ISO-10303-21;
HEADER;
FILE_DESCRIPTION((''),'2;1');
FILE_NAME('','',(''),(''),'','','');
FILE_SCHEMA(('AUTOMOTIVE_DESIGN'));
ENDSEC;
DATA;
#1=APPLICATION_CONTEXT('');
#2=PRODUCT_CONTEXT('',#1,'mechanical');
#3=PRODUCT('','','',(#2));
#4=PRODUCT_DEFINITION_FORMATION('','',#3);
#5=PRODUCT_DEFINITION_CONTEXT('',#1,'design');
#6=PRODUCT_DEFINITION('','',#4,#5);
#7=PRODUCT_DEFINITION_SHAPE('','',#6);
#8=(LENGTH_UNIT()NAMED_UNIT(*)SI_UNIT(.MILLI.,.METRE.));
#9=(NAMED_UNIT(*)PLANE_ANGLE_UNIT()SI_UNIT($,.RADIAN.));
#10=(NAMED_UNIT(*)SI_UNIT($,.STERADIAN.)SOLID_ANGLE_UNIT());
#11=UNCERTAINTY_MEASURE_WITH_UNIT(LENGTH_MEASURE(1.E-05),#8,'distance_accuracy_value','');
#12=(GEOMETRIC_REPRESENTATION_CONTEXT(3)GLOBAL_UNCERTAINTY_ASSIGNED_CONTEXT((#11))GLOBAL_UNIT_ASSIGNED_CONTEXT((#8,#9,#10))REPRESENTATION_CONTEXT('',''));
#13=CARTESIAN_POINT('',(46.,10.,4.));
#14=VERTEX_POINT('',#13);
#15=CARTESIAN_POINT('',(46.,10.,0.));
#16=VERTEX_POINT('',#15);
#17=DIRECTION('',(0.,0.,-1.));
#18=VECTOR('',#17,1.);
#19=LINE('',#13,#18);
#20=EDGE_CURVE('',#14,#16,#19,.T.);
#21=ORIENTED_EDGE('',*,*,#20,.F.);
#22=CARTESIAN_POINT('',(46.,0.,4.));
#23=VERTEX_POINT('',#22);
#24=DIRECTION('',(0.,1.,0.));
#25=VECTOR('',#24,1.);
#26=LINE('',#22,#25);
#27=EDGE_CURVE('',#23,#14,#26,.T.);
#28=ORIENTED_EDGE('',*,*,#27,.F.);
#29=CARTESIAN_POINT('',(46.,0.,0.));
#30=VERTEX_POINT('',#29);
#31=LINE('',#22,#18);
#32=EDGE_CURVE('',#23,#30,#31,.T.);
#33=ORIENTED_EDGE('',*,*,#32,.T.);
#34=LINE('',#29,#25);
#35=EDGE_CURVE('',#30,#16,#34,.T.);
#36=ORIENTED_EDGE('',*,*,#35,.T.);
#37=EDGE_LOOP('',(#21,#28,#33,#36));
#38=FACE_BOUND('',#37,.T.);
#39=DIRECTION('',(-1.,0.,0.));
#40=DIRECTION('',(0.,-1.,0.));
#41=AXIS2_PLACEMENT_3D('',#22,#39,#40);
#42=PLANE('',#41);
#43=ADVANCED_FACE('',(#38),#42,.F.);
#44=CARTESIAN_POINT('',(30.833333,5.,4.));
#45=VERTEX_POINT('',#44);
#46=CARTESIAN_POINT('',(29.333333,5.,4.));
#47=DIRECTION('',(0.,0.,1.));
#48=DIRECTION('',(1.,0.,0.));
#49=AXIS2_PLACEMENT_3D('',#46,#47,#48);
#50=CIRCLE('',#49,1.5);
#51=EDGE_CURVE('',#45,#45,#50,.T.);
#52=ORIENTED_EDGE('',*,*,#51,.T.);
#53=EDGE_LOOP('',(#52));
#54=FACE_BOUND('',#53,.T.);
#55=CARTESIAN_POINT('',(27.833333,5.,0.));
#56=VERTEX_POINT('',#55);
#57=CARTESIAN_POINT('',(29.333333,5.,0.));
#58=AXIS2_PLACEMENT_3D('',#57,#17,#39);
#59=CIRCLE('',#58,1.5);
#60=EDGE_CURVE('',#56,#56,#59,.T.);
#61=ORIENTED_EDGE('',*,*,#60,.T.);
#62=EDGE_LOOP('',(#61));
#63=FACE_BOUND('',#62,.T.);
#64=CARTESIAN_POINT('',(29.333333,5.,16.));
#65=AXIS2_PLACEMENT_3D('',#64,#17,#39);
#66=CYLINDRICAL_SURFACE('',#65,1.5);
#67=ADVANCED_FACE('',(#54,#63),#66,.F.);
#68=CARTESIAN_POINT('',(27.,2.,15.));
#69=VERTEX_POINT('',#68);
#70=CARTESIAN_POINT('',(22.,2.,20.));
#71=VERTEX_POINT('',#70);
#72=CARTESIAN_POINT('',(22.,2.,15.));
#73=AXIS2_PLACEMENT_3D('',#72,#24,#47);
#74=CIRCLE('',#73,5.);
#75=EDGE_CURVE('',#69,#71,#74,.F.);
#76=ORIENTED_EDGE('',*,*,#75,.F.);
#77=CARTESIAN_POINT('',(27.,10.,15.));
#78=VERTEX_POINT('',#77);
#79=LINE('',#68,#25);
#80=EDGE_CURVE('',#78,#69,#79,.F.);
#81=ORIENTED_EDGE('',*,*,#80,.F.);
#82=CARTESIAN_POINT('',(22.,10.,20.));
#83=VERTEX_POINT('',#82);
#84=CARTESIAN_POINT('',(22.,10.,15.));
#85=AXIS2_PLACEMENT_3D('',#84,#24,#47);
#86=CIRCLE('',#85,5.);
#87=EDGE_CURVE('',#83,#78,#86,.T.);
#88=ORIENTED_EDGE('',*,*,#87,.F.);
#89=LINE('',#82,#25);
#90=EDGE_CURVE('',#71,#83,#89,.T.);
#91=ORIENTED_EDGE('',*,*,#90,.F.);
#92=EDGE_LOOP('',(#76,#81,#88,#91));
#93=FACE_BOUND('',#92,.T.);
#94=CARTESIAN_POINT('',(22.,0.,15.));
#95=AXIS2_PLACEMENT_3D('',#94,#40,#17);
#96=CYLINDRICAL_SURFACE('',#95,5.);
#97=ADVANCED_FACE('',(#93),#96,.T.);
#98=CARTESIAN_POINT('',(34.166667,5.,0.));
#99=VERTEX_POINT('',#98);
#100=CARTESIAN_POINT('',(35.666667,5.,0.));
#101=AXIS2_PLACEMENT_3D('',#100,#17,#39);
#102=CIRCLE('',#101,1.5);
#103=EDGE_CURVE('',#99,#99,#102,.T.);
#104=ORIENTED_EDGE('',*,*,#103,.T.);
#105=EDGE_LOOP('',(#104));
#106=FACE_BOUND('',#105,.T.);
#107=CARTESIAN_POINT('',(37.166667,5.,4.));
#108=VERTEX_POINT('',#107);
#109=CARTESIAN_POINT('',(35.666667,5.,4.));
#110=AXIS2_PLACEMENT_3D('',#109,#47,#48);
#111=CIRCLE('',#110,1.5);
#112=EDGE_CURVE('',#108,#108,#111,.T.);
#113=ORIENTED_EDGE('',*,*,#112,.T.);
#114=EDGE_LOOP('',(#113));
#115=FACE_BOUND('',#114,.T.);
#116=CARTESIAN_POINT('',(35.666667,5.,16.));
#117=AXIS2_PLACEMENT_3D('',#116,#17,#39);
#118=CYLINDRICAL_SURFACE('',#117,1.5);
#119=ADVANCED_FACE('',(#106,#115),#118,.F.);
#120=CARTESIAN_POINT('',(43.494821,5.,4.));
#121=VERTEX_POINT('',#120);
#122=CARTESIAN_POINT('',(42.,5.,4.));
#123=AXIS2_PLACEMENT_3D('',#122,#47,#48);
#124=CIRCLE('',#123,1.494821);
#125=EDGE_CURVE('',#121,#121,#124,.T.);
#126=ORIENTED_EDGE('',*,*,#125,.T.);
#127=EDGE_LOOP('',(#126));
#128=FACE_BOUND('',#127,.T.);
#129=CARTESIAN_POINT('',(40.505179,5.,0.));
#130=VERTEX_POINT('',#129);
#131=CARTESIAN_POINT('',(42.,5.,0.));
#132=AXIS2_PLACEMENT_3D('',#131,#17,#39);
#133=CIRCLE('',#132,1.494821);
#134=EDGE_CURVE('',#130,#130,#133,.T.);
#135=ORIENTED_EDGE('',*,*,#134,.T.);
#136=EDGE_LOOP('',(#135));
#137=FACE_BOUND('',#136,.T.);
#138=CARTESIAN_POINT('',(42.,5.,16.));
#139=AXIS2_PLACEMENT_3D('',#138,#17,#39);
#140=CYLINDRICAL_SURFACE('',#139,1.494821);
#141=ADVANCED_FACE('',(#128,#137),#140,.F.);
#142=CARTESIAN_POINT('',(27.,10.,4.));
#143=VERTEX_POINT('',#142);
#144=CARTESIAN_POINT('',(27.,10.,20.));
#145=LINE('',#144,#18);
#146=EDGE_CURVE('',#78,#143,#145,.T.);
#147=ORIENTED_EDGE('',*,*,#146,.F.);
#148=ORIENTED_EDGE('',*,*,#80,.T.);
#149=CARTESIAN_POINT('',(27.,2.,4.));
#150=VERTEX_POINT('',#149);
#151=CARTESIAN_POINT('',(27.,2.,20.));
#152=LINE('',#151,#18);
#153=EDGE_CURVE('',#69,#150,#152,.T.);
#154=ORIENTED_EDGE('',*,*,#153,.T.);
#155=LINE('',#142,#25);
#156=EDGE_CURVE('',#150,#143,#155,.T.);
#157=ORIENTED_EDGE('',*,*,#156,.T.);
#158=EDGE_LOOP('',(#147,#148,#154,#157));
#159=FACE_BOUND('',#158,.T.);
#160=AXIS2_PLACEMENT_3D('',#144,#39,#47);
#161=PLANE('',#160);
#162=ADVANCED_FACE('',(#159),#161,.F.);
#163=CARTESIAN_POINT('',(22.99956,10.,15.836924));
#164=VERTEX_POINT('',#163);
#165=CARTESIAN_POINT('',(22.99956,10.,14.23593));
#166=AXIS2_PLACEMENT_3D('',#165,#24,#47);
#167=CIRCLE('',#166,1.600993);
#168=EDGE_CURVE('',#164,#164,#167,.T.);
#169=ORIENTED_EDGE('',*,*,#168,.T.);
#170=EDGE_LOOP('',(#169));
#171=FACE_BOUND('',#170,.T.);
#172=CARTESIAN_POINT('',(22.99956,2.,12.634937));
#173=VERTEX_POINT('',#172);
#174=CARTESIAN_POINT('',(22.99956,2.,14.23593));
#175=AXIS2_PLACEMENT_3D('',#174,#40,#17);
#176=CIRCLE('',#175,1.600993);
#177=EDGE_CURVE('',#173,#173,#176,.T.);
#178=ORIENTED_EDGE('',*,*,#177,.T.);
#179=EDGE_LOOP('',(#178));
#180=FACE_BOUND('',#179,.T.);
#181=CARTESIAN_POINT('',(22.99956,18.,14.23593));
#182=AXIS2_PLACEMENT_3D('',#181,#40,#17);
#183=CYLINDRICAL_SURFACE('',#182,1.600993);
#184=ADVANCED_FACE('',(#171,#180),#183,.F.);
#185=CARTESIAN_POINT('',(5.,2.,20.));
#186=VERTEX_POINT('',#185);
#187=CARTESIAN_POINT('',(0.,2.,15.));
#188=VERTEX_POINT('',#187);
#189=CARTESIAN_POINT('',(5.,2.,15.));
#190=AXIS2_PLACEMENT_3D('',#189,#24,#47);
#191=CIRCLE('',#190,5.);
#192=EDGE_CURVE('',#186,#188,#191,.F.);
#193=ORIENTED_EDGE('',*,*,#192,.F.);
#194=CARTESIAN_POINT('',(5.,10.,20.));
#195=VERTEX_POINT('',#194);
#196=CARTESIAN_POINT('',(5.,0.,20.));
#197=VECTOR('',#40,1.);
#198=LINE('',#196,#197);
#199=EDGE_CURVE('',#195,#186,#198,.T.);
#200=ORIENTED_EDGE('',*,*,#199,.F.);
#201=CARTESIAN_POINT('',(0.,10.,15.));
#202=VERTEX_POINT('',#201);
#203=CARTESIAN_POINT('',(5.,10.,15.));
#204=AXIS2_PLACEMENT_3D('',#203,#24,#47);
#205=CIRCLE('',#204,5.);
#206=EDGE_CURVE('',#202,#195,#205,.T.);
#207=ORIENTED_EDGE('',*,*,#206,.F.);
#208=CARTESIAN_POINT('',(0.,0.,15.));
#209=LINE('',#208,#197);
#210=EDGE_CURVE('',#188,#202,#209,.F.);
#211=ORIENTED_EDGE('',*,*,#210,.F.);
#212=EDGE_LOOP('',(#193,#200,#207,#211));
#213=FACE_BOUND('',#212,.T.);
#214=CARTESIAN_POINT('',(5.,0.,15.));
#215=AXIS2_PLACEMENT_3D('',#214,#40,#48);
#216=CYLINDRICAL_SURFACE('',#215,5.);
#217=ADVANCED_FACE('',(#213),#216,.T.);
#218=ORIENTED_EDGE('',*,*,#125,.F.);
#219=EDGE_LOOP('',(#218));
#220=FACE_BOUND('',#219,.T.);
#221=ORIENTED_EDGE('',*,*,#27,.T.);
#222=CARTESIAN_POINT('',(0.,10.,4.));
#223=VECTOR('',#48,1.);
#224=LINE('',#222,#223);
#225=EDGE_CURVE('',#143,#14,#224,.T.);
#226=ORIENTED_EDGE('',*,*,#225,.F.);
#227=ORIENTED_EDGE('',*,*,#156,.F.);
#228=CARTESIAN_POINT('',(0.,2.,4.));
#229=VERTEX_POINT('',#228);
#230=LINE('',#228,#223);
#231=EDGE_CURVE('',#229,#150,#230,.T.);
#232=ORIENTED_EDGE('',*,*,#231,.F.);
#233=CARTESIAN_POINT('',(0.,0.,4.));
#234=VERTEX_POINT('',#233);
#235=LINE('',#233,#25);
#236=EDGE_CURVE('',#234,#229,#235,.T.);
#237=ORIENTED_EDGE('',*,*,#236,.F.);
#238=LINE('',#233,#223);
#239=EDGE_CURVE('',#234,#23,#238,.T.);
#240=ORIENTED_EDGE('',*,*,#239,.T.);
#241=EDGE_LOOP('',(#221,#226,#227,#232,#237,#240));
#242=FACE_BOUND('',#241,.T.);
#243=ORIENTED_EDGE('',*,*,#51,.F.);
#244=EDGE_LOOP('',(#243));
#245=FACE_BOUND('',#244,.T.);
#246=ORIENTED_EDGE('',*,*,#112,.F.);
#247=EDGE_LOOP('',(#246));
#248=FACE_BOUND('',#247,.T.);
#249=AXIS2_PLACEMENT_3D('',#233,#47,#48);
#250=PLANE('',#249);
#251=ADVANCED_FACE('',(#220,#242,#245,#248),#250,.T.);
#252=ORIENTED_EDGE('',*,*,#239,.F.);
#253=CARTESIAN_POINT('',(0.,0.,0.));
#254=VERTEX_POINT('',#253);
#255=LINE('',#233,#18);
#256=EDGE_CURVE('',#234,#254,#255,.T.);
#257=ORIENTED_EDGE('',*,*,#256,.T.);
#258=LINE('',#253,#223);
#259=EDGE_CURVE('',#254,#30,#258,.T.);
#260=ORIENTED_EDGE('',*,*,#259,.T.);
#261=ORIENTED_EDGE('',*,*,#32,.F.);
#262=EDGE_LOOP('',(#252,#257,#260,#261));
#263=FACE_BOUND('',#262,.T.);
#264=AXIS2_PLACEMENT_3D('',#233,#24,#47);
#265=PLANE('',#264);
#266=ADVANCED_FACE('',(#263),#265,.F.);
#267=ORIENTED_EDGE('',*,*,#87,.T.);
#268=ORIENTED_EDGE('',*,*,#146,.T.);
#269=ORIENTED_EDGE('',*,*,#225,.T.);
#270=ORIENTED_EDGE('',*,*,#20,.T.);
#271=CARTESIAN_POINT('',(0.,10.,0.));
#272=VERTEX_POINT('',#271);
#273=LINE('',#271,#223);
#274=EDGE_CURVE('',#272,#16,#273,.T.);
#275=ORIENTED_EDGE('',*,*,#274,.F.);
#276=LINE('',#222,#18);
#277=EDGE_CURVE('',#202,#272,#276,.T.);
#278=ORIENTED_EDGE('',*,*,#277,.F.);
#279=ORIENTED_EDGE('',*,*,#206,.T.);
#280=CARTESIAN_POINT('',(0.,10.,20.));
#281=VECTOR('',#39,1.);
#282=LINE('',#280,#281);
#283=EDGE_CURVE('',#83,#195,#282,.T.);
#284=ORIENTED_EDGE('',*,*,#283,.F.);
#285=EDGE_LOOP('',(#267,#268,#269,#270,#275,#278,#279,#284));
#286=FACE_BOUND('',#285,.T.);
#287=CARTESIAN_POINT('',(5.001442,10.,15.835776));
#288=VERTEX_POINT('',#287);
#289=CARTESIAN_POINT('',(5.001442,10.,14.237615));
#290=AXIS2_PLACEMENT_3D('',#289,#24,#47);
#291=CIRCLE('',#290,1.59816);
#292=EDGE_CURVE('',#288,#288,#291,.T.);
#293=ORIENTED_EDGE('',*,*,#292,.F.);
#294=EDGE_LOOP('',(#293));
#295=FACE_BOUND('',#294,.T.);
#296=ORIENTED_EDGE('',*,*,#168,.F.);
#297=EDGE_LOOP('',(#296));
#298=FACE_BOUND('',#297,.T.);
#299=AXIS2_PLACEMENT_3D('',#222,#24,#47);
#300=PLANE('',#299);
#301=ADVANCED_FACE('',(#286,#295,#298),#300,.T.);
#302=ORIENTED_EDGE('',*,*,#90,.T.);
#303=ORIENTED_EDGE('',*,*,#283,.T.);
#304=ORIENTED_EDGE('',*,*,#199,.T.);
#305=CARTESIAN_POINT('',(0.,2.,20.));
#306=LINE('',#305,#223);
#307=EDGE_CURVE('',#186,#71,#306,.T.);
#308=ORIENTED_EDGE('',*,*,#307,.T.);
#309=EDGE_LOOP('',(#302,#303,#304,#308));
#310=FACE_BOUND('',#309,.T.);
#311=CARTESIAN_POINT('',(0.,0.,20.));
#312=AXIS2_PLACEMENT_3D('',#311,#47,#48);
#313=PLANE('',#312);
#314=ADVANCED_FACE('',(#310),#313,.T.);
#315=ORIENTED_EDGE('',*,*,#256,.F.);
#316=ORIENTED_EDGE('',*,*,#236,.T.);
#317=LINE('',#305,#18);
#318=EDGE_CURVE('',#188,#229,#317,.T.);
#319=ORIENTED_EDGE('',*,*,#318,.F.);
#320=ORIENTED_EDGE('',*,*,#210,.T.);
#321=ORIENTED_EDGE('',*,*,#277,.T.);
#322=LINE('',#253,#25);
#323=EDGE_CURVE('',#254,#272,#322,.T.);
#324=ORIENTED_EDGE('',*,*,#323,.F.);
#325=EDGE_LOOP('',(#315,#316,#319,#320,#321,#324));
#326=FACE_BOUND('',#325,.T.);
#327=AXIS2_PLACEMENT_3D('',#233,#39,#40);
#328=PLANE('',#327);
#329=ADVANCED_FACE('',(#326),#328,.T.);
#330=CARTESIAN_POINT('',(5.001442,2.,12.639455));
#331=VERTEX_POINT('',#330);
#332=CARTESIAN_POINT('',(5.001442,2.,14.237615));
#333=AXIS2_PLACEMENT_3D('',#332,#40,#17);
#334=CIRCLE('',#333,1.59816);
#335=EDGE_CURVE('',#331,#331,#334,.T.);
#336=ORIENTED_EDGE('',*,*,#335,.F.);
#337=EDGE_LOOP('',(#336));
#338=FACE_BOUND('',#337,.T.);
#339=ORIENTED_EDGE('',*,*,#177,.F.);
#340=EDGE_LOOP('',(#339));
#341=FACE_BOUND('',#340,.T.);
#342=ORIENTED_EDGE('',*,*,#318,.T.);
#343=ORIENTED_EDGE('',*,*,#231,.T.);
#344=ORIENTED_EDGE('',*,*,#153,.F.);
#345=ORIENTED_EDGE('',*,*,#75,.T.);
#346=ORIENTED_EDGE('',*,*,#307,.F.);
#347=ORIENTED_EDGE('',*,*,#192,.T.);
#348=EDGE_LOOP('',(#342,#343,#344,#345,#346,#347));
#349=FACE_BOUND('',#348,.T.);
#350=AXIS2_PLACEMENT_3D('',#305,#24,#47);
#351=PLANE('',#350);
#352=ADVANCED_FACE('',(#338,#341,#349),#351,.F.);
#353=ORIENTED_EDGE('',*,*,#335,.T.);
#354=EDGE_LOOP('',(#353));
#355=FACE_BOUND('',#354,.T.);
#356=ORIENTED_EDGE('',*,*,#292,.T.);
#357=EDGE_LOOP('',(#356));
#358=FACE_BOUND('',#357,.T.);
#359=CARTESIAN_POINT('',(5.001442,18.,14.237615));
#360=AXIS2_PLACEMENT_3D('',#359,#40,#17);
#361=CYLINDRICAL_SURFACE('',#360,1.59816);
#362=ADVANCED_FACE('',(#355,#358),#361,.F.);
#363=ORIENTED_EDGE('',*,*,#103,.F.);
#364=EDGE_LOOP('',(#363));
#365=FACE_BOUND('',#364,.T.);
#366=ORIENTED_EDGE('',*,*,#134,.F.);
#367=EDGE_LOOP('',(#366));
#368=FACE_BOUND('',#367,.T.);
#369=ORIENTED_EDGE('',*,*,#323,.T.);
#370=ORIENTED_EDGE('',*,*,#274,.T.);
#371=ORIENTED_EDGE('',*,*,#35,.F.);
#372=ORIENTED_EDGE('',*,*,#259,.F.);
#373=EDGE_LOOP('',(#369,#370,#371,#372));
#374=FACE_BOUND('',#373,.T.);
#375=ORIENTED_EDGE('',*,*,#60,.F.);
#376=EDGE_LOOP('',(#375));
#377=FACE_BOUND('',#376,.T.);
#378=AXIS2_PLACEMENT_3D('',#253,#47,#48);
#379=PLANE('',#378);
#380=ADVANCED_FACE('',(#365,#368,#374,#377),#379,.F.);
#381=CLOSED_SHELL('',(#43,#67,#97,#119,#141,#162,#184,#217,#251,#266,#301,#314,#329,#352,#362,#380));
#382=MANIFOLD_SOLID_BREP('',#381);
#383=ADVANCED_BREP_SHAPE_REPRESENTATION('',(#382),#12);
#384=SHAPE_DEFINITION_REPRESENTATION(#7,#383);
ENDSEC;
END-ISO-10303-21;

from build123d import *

# Parameters (mm, degrees)
SKETCH1_W           = 46
SKETCH1_H           = 10
BOSS_EXTRUDE1_DEPTH = 4
SKETCH4_W           = 27
SKETCH4_H           = 8
BOSS_EXTRUDE2_DEPTH = 16
SKETCH5_R           = 1.600993429
SKETCH5_R_2         = 1.598160281
CUT_EXTRUDE2_DEPTH  = 16
SKETCH6_R           = 1.494820838
SKETCH6_R_2         = 1.5
CUT_EXTRUDE3_DEPTH  = 16
FILLET1_R           = 5


with BuildPart() as part:
    # Sketch1 → Boss-Extrude1 (new body)
    with BuildSketch(Plane.XY):
        with Locations((23, 5)):
            Rectangle(SKETCH1_W, SKETCH1_H)
    extrude(amount=BOSS_EXTRUDE1_DEPTH)

    # Sketch4 → Boss-Extrude2 (add)
    with BuildSketch(Plane.XY.offset(4)):
        with Locations((13.5, 6)):
            Rectangle(SKETCH4_W, SKETCH4_H)
    extrude(amount=BOSS_EXTRUDE2_DEPTH)

    # Sketch5 → Cut-Extrude2 (cut)
    with BuildSketch(Plane.XZ.offset(-2)):
        with Locations((22.999560123, 14.235930167)):
            Circle(SKETCH5_R)
        with Locations((5.001441553, 14.237615424)):
            Circle(SKETCH5_R_2)
    extrude(amount=-CUT_EXTRUDE2_DEPTH, mode=Mode.SUBTRACT)

    # Sketch6 → Cut-Extrude3 (cut)
    with BuildSketch(Plane(origin=(0, 0, 0), x_dir=(-1, 0, 0), z_dir=(0, 0, -1))):
        with Locations((-42, 5)):
            Circle(SKETCH6_R)
        with Locations((-29.333333333, 5)):
            Circle(SKETCH6_R_2)
        with Locations((-35.666666667, 5)):
            Circle(SKETCH6_R_2)
    extrude(amount=-CUT_EXTRUDE3_DEPTH, mode=Mode.SUBTRACT)

    # Fillet1
    fillet1_edges = [part.edges().sort_by_distance(p)[0] for p in [
        (0, 6, 20),
        (27, 6, 20),
    ]]
    fillet(fillet1_edges, radius=FILLET1_R)


solid = part.part
